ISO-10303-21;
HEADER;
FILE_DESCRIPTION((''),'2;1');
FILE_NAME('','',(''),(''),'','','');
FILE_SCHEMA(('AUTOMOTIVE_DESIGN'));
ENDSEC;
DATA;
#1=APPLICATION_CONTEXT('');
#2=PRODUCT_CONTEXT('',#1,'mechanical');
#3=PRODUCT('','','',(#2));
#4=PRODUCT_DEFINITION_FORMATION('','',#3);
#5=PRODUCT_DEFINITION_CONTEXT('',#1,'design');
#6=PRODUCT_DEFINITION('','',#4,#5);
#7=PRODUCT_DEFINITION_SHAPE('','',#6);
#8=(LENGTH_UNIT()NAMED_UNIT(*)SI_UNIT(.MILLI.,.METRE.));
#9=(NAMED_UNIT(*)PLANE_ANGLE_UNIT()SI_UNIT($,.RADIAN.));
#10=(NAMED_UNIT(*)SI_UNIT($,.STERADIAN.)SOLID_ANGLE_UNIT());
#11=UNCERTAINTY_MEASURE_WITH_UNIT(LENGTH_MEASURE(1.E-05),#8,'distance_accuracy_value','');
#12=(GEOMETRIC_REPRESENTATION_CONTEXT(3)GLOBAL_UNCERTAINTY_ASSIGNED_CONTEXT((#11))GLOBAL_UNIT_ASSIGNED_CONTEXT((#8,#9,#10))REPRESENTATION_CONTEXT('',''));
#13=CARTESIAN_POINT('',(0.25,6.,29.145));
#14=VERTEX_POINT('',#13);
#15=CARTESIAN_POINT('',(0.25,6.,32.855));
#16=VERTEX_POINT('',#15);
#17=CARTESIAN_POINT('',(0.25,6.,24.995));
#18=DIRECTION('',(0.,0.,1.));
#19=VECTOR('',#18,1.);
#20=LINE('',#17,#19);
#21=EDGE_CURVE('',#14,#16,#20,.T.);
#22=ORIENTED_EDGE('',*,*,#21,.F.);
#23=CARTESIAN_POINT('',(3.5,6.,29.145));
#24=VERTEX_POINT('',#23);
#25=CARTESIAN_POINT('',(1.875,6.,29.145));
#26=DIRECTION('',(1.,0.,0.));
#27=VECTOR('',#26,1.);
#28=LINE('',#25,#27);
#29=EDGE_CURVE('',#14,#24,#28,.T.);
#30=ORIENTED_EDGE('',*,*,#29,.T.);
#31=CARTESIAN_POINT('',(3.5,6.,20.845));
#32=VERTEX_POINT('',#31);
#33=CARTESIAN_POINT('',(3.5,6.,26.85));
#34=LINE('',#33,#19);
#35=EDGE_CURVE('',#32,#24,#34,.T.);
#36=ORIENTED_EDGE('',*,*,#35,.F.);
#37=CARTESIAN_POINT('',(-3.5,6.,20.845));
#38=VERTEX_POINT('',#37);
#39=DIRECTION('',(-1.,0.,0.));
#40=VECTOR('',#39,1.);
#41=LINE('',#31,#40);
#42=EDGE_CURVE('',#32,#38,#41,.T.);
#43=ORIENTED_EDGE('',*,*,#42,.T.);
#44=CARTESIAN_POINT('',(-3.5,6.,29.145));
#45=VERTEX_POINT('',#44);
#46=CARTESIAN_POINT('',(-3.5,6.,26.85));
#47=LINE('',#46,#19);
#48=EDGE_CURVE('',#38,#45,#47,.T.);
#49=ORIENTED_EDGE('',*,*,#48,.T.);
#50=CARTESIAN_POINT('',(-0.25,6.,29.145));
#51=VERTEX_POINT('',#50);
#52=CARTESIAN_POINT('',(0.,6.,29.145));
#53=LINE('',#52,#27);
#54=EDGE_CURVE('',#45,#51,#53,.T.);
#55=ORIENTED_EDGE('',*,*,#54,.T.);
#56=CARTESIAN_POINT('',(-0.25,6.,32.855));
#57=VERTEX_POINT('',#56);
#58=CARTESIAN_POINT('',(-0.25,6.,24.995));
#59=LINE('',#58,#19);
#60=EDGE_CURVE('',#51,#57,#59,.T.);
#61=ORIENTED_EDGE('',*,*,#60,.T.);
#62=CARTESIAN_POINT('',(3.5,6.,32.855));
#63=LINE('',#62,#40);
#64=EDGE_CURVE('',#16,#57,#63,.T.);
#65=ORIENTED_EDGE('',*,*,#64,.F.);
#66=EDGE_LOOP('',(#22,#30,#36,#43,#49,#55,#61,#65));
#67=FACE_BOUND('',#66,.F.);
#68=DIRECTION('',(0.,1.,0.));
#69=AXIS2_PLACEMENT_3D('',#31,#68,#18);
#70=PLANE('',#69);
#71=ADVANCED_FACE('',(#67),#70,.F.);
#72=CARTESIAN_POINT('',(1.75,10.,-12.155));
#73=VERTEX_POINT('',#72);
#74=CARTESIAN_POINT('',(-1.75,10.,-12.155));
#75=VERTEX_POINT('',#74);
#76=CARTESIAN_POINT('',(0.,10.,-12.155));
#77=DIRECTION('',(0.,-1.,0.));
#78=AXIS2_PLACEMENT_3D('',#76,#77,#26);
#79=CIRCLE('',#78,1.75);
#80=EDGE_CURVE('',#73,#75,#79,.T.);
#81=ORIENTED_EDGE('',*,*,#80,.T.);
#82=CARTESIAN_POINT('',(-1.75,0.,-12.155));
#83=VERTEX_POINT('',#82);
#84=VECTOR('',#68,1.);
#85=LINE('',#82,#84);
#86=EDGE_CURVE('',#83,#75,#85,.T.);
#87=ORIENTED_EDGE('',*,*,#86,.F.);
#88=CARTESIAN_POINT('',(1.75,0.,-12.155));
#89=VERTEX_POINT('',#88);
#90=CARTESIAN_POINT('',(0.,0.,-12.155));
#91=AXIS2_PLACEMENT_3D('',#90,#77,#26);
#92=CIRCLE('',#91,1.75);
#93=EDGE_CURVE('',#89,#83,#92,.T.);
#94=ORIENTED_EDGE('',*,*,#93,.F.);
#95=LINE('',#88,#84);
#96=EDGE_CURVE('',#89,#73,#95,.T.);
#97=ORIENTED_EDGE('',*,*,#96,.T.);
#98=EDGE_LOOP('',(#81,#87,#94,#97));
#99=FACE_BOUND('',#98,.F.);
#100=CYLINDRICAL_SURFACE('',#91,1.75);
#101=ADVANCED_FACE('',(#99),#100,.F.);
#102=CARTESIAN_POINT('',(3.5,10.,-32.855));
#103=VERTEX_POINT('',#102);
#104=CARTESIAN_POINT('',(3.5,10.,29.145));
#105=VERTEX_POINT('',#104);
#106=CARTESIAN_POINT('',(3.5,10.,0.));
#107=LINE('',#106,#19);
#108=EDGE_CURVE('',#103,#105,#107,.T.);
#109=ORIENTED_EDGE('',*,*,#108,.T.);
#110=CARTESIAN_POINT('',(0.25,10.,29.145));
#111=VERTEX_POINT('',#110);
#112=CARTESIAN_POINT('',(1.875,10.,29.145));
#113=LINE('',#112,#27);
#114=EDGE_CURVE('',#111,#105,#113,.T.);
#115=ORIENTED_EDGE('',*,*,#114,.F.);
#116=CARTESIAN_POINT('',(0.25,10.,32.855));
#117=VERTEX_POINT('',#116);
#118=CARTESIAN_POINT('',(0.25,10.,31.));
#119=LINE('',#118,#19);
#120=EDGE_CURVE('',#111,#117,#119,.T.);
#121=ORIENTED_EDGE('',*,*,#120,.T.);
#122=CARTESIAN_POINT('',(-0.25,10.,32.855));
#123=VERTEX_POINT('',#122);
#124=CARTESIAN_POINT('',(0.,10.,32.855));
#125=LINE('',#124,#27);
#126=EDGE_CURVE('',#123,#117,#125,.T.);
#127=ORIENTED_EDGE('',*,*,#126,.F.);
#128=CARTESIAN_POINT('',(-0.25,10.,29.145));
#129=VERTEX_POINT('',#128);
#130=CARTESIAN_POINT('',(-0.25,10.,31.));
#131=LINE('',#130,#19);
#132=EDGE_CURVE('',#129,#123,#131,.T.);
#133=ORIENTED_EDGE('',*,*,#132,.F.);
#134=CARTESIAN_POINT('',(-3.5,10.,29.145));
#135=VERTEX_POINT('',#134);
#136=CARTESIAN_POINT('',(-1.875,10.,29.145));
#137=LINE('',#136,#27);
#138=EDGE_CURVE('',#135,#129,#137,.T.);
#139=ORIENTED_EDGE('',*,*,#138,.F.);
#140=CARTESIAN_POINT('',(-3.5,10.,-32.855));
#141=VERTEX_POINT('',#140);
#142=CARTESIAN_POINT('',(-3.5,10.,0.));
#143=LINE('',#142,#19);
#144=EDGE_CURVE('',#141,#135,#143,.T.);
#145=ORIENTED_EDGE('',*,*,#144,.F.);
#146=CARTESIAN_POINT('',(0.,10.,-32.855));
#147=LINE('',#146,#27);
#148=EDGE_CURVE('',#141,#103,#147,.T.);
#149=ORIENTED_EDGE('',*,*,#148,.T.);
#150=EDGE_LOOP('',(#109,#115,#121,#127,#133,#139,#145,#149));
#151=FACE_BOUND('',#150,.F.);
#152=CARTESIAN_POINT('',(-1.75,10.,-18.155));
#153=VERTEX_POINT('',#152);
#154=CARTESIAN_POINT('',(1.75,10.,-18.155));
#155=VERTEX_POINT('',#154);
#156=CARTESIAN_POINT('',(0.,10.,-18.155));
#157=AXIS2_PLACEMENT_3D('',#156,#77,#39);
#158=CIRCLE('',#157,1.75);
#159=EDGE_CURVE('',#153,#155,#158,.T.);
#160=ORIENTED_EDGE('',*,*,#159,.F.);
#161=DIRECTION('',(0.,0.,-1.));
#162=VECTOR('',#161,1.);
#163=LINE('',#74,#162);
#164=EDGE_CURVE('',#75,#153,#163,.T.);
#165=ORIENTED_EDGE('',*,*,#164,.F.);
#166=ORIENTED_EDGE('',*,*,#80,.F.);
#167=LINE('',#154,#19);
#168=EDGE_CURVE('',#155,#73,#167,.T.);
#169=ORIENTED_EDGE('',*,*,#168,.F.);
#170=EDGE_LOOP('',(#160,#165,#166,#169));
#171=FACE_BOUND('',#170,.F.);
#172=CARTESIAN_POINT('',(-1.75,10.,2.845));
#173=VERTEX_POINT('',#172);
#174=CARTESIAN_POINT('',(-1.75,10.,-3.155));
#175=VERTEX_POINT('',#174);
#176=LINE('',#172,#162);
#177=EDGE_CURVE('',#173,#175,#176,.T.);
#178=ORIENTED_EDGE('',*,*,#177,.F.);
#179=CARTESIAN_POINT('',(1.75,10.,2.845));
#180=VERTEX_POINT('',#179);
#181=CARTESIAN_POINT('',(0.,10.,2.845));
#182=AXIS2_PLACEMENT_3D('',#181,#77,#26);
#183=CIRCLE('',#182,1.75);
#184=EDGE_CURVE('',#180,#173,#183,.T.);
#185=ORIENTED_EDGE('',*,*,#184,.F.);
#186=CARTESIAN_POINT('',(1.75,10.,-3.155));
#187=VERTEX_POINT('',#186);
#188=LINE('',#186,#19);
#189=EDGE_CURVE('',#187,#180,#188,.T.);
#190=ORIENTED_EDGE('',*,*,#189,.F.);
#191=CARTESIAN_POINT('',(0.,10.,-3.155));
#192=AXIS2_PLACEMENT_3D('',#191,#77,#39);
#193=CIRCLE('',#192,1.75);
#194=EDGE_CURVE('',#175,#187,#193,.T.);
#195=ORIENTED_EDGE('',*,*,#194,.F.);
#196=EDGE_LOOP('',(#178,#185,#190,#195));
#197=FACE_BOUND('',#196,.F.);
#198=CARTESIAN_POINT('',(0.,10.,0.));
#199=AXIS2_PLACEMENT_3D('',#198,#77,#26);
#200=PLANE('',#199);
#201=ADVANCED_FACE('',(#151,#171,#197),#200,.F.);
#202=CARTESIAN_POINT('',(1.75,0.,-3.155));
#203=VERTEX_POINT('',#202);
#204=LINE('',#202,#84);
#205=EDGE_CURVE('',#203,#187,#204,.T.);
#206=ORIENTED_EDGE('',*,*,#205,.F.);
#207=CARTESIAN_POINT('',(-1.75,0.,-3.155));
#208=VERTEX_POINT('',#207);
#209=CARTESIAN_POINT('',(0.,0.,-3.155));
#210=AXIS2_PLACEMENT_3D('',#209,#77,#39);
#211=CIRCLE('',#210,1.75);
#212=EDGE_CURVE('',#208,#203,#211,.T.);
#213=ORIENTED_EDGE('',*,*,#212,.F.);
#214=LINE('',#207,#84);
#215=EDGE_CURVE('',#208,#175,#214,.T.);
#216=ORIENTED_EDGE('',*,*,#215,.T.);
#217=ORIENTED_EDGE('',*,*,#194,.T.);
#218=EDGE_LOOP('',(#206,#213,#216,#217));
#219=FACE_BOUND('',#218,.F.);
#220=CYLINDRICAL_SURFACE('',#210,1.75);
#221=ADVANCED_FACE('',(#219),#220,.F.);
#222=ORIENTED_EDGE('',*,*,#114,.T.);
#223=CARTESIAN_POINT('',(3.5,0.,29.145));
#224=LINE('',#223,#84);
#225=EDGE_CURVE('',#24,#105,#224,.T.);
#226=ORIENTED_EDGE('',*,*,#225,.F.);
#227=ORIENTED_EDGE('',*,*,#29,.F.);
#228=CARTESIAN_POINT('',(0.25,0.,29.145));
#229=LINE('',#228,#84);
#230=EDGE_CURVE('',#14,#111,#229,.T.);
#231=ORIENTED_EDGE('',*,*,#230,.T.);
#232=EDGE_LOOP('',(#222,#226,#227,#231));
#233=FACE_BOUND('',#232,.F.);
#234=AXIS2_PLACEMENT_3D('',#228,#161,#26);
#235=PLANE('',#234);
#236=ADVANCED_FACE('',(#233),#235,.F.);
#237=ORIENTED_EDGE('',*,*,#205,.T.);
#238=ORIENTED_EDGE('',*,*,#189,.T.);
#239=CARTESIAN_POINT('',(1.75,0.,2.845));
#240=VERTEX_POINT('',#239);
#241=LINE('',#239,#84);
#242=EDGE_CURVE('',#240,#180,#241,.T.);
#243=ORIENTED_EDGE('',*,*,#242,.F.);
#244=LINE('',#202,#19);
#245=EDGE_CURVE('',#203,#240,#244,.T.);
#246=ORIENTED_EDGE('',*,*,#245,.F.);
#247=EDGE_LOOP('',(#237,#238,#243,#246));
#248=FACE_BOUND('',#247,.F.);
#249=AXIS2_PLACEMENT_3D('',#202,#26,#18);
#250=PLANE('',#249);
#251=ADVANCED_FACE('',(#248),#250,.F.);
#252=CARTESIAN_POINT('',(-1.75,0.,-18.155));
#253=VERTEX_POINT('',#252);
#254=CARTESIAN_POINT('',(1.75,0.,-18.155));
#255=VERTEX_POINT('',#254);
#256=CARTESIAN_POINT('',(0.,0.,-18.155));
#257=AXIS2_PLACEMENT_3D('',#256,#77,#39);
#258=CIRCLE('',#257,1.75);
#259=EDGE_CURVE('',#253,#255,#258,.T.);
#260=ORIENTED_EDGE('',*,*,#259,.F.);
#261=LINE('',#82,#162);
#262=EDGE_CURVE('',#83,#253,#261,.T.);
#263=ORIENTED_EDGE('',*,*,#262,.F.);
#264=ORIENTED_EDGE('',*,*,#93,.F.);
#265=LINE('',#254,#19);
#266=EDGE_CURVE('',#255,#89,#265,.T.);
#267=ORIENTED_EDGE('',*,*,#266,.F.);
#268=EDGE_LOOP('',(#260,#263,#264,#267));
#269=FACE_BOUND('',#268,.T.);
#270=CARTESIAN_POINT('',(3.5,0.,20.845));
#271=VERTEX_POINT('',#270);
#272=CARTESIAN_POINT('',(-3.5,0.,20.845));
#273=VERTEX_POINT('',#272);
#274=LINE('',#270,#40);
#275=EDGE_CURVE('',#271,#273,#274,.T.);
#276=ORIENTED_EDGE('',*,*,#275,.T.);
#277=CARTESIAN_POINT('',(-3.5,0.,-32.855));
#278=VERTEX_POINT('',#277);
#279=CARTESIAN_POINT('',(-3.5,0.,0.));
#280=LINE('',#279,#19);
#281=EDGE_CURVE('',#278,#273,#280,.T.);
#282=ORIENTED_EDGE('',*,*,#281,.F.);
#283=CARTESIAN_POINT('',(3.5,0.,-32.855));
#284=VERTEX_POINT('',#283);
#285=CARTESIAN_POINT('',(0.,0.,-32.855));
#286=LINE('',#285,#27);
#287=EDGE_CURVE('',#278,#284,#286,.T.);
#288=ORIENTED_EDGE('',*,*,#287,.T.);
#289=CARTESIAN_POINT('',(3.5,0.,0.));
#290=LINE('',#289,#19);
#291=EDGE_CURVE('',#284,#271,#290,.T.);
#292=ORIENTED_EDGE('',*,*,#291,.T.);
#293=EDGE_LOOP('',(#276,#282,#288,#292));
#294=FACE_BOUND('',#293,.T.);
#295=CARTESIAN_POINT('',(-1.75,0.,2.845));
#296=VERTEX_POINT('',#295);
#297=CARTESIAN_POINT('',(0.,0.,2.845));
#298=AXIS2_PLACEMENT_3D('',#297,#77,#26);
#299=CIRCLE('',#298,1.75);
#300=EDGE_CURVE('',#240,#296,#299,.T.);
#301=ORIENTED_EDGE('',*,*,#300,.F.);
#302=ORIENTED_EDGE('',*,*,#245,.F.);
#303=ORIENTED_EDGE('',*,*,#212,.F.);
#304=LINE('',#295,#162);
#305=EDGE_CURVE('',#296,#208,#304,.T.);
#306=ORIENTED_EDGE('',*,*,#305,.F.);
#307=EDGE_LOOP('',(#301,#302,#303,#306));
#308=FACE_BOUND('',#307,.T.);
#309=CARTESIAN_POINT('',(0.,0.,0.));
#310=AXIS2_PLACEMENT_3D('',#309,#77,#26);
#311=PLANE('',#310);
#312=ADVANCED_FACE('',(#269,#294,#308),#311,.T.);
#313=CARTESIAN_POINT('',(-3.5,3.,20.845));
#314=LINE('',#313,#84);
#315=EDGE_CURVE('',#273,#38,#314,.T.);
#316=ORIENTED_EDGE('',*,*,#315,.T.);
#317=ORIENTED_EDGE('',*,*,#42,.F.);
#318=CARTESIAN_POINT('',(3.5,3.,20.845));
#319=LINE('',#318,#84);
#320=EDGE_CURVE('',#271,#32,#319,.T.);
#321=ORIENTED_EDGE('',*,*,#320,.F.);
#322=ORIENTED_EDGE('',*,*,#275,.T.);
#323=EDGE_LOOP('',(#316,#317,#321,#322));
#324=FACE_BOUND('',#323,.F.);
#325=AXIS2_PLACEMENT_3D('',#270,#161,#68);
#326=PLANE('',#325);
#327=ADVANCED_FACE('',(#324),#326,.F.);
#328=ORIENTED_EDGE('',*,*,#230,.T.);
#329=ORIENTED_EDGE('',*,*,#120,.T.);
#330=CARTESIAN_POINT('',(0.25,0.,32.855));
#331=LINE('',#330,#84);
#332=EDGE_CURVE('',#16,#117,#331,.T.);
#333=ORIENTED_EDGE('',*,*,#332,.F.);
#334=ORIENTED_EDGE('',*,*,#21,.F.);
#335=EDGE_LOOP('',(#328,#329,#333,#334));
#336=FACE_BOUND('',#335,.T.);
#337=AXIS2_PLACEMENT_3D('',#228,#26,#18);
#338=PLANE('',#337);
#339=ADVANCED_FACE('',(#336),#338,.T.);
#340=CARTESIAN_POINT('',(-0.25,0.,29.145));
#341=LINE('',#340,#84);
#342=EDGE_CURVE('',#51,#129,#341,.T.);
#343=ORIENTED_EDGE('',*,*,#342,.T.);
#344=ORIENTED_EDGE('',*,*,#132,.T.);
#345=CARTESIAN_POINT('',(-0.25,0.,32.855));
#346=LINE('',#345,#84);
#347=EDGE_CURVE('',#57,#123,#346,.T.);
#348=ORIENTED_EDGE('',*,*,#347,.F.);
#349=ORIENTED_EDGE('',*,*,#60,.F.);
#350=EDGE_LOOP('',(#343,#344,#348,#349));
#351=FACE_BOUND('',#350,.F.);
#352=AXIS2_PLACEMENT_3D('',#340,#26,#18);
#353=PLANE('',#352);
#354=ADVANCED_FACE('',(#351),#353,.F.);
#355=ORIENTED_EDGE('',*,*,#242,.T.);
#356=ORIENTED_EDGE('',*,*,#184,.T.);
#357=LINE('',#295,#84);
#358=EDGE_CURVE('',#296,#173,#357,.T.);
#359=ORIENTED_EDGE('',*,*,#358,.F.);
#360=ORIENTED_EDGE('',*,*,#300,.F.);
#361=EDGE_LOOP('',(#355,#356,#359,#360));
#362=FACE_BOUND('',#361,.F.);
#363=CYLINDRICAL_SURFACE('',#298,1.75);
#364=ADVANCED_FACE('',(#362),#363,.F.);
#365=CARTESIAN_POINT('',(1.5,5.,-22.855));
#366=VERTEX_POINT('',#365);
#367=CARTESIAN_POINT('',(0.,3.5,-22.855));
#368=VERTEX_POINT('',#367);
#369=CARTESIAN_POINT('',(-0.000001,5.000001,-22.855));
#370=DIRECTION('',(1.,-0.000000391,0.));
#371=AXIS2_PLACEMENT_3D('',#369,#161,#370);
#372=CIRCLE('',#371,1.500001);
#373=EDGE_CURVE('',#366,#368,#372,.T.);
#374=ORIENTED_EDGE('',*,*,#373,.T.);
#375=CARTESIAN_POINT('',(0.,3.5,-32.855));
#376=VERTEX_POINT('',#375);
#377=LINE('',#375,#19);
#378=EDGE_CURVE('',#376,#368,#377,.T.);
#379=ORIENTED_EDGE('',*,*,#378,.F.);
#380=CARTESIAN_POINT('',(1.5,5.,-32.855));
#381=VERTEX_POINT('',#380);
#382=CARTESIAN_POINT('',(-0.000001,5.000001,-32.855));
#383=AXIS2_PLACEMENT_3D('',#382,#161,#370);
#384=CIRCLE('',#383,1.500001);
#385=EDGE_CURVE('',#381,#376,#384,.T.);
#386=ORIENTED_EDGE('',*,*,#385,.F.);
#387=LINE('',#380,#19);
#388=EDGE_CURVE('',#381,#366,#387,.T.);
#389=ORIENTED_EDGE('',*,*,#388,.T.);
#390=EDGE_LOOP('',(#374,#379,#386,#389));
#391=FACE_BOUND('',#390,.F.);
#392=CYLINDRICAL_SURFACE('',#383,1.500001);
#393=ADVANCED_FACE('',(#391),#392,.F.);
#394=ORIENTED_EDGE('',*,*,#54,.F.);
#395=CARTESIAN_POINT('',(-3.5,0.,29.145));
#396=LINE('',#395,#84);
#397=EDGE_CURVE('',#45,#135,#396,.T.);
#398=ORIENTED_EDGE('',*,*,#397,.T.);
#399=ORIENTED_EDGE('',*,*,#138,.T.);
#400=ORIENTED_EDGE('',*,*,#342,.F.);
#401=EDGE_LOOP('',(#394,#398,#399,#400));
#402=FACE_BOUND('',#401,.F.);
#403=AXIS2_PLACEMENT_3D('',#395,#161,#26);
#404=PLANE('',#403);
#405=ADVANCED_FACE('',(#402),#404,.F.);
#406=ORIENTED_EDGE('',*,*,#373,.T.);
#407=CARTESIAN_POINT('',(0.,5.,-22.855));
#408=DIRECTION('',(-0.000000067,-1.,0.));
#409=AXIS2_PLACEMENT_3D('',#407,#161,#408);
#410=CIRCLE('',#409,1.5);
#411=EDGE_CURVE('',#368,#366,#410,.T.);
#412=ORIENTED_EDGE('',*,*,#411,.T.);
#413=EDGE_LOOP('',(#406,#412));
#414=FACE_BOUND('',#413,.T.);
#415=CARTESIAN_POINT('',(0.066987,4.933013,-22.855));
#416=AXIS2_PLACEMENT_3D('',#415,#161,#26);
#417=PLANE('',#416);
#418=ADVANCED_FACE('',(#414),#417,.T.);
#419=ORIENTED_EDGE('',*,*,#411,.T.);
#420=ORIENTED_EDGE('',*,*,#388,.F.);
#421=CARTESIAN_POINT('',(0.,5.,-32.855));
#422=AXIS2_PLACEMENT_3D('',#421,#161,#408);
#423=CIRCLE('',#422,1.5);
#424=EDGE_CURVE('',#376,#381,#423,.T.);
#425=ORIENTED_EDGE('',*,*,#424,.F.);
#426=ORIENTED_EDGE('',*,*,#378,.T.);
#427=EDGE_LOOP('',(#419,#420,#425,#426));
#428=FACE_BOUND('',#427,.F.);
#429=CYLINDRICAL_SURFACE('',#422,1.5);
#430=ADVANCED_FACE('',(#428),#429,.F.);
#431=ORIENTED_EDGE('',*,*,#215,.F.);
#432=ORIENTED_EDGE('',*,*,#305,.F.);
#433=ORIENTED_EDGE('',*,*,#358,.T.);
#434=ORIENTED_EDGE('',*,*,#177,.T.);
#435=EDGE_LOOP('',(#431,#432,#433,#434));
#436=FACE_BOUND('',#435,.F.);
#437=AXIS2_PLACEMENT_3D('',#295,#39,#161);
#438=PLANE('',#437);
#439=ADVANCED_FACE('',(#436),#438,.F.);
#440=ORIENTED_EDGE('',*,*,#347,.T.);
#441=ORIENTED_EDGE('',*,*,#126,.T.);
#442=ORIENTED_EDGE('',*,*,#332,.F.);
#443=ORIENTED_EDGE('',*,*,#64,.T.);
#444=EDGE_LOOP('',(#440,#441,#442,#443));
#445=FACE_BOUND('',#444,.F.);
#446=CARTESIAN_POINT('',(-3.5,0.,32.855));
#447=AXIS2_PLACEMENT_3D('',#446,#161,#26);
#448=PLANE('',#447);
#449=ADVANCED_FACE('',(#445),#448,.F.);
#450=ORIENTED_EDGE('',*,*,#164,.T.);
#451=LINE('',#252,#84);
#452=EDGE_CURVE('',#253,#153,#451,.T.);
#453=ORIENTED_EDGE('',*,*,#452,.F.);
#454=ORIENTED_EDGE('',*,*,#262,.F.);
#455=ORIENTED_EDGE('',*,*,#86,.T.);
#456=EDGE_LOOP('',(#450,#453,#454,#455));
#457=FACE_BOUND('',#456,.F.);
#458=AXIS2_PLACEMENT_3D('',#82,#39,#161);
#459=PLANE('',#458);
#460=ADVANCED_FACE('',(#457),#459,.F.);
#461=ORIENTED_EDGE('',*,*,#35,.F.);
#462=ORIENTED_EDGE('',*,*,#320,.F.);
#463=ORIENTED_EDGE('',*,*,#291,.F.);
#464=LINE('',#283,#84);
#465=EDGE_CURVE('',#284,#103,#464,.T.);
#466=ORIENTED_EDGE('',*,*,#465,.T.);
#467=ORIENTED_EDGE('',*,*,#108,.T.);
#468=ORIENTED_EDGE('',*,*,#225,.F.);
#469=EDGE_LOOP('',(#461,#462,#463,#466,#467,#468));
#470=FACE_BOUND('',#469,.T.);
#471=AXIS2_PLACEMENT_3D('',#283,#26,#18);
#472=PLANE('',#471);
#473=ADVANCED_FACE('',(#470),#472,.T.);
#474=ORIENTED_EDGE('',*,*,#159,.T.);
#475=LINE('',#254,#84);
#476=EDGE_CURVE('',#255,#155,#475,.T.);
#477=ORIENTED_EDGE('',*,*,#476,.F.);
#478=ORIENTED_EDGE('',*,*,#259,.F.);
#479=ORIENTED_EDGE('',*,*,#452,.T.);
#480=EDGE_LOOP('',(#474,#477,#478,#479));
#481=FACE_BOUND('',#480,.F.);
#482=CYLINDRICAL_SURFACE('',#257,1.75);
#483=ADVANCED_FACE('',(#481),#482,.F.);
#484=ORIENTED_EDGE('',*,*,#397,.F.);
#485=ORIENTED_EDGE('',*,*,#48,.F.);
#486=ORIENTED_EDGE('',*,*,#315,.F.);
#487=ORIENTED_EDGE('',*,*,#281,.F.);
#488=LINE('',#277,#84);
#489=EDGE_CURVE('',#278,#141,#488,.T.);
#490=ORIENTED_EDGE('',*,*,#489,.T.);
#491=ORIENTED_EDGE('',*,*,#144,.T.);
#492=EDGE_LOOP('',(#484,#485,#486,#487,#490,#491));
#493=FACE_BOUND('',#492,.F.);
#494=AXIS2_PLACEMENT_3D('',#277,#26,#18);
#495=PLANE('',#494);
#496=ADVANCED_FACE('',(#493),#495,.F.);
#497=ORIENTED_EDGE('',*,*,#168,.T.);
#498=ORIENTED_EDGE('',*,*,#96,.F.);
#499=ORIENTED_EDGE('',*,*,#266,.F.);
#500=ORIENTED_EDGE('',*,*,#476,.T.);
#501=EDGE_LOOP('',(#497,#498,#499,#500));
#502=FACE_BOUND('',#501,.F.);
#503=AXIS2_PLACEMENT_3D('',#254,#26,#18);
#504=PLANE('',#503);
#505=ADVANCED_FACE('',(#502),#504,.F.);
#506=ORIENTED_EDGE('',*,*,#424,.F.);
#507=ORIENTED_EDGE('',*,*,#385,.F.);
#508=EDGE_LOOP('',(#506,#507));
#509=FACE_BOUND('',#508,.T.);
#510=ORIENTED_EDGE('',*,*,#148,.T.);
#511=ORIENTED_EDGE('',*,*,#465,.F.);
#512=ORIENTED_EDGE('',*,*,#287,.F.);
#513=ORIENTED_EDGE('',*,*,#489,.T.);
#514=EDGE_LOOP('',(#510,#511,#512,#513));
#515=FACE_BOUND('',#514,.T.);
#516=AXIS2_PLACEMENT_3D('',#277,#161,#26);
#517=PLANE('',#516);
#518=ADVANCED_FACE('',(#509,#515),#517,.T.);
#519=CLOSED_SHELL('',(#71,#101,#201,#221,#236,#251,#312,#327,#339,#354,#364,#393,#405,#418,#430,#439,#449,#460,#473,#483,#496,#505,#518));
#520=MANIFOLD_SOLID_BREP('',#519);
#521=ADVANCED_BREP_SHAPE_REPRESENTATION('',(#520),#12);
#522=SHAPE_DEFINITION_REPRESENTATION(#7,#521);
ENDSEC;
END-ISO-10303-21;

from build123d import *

# Parameters (mm, degrees)
F0_W     = 7
F0_H     = 65.71
F1_DEPTH = 10
F2_W     = 3.25
F2_H     = 3.71
F3_DEPTH = 10
F5_DEPTH = 10
F6_W     = 6
F6_H     = 12.01
F7_DEPTH = 7
F9_DEPTH = 10


with BuildPart() as f1:
    # F0 (on Front) → F1 (new body)
    with BuildSketch(Plane.XZ):
        Rectangle(F0_W, F0_H)
    extrude(amount=-F1_DEPTH)

    # F2 (on face) → F3 (cut, through all)
    with BuildSketch(Plane.XZ):
        with Locations((-1.875, 31)):
            Rectangle(F2_W, F2_H)
        with Locations((1.875, 31)):
            Rectangle(F2_W, F2_H)
    extrude(amount=-F3_DEPTH, mode=Mode.SUBTRACT)

    # F4 (on face) → F5 (cut, through all)
    with BuildSketch(Plane.XZ):
        with BuildLine():
            Line((-1.75, -12.155), (-1.75, -18.155))
            ThreePointArc((-1.75, -18.155), (0, -19.905), (1.75, -18.155))
            Line((1.75, -18.155), (1.75, -12.155))
            ThreePointArc((1.75, -12.155), (0, -10.405), (-1.75, -12.155))
        make_face()
        with BuildLine():
            Line((-1.75, 2.845), (-1.75, -3.155))
            ThreePointArc((-1.75, -3.155), (0, -4.905), (1.75, -3.155))
            Line((1.75, -3.155), (1.75, 2.845))
            ThreePointArc((1.75, 2.845), (0, 4.595), (-1.75, 2.845))
        make_face()
    extrude(amount=-F5_DEPTH, mode=Mode.SUBTRACT)

    # F6 (on face) → F7 (cut, through all)
    with BuildSketch(Plane.YZ.offset(3.5)):
        with Locations((3, 26.85)):
            Rectangle(F6_W, F6_H)
    extrude(amount=-F7_DEPTH, mode=Mode.SUBTRACT)

    # F8 (on face) → F9 (cut)
    with BuildSketch(Plane(origin=(0, 0, -32.855), x_dir=(1, 0, 0), z_dir=(0, 0, -1))):
        with BuildLine():
            ThreePointArc((0, -3.5), (-1.06066, -6.06066), (1.5, -5))
            ThreePointArc((1.5, -5), (1.06066, -3.93934), (0, -3.5))
        make_face()
    extrude(amount=-F9_DEPTH, mode=Mode.SUBTRACT)


solid = f1.part
